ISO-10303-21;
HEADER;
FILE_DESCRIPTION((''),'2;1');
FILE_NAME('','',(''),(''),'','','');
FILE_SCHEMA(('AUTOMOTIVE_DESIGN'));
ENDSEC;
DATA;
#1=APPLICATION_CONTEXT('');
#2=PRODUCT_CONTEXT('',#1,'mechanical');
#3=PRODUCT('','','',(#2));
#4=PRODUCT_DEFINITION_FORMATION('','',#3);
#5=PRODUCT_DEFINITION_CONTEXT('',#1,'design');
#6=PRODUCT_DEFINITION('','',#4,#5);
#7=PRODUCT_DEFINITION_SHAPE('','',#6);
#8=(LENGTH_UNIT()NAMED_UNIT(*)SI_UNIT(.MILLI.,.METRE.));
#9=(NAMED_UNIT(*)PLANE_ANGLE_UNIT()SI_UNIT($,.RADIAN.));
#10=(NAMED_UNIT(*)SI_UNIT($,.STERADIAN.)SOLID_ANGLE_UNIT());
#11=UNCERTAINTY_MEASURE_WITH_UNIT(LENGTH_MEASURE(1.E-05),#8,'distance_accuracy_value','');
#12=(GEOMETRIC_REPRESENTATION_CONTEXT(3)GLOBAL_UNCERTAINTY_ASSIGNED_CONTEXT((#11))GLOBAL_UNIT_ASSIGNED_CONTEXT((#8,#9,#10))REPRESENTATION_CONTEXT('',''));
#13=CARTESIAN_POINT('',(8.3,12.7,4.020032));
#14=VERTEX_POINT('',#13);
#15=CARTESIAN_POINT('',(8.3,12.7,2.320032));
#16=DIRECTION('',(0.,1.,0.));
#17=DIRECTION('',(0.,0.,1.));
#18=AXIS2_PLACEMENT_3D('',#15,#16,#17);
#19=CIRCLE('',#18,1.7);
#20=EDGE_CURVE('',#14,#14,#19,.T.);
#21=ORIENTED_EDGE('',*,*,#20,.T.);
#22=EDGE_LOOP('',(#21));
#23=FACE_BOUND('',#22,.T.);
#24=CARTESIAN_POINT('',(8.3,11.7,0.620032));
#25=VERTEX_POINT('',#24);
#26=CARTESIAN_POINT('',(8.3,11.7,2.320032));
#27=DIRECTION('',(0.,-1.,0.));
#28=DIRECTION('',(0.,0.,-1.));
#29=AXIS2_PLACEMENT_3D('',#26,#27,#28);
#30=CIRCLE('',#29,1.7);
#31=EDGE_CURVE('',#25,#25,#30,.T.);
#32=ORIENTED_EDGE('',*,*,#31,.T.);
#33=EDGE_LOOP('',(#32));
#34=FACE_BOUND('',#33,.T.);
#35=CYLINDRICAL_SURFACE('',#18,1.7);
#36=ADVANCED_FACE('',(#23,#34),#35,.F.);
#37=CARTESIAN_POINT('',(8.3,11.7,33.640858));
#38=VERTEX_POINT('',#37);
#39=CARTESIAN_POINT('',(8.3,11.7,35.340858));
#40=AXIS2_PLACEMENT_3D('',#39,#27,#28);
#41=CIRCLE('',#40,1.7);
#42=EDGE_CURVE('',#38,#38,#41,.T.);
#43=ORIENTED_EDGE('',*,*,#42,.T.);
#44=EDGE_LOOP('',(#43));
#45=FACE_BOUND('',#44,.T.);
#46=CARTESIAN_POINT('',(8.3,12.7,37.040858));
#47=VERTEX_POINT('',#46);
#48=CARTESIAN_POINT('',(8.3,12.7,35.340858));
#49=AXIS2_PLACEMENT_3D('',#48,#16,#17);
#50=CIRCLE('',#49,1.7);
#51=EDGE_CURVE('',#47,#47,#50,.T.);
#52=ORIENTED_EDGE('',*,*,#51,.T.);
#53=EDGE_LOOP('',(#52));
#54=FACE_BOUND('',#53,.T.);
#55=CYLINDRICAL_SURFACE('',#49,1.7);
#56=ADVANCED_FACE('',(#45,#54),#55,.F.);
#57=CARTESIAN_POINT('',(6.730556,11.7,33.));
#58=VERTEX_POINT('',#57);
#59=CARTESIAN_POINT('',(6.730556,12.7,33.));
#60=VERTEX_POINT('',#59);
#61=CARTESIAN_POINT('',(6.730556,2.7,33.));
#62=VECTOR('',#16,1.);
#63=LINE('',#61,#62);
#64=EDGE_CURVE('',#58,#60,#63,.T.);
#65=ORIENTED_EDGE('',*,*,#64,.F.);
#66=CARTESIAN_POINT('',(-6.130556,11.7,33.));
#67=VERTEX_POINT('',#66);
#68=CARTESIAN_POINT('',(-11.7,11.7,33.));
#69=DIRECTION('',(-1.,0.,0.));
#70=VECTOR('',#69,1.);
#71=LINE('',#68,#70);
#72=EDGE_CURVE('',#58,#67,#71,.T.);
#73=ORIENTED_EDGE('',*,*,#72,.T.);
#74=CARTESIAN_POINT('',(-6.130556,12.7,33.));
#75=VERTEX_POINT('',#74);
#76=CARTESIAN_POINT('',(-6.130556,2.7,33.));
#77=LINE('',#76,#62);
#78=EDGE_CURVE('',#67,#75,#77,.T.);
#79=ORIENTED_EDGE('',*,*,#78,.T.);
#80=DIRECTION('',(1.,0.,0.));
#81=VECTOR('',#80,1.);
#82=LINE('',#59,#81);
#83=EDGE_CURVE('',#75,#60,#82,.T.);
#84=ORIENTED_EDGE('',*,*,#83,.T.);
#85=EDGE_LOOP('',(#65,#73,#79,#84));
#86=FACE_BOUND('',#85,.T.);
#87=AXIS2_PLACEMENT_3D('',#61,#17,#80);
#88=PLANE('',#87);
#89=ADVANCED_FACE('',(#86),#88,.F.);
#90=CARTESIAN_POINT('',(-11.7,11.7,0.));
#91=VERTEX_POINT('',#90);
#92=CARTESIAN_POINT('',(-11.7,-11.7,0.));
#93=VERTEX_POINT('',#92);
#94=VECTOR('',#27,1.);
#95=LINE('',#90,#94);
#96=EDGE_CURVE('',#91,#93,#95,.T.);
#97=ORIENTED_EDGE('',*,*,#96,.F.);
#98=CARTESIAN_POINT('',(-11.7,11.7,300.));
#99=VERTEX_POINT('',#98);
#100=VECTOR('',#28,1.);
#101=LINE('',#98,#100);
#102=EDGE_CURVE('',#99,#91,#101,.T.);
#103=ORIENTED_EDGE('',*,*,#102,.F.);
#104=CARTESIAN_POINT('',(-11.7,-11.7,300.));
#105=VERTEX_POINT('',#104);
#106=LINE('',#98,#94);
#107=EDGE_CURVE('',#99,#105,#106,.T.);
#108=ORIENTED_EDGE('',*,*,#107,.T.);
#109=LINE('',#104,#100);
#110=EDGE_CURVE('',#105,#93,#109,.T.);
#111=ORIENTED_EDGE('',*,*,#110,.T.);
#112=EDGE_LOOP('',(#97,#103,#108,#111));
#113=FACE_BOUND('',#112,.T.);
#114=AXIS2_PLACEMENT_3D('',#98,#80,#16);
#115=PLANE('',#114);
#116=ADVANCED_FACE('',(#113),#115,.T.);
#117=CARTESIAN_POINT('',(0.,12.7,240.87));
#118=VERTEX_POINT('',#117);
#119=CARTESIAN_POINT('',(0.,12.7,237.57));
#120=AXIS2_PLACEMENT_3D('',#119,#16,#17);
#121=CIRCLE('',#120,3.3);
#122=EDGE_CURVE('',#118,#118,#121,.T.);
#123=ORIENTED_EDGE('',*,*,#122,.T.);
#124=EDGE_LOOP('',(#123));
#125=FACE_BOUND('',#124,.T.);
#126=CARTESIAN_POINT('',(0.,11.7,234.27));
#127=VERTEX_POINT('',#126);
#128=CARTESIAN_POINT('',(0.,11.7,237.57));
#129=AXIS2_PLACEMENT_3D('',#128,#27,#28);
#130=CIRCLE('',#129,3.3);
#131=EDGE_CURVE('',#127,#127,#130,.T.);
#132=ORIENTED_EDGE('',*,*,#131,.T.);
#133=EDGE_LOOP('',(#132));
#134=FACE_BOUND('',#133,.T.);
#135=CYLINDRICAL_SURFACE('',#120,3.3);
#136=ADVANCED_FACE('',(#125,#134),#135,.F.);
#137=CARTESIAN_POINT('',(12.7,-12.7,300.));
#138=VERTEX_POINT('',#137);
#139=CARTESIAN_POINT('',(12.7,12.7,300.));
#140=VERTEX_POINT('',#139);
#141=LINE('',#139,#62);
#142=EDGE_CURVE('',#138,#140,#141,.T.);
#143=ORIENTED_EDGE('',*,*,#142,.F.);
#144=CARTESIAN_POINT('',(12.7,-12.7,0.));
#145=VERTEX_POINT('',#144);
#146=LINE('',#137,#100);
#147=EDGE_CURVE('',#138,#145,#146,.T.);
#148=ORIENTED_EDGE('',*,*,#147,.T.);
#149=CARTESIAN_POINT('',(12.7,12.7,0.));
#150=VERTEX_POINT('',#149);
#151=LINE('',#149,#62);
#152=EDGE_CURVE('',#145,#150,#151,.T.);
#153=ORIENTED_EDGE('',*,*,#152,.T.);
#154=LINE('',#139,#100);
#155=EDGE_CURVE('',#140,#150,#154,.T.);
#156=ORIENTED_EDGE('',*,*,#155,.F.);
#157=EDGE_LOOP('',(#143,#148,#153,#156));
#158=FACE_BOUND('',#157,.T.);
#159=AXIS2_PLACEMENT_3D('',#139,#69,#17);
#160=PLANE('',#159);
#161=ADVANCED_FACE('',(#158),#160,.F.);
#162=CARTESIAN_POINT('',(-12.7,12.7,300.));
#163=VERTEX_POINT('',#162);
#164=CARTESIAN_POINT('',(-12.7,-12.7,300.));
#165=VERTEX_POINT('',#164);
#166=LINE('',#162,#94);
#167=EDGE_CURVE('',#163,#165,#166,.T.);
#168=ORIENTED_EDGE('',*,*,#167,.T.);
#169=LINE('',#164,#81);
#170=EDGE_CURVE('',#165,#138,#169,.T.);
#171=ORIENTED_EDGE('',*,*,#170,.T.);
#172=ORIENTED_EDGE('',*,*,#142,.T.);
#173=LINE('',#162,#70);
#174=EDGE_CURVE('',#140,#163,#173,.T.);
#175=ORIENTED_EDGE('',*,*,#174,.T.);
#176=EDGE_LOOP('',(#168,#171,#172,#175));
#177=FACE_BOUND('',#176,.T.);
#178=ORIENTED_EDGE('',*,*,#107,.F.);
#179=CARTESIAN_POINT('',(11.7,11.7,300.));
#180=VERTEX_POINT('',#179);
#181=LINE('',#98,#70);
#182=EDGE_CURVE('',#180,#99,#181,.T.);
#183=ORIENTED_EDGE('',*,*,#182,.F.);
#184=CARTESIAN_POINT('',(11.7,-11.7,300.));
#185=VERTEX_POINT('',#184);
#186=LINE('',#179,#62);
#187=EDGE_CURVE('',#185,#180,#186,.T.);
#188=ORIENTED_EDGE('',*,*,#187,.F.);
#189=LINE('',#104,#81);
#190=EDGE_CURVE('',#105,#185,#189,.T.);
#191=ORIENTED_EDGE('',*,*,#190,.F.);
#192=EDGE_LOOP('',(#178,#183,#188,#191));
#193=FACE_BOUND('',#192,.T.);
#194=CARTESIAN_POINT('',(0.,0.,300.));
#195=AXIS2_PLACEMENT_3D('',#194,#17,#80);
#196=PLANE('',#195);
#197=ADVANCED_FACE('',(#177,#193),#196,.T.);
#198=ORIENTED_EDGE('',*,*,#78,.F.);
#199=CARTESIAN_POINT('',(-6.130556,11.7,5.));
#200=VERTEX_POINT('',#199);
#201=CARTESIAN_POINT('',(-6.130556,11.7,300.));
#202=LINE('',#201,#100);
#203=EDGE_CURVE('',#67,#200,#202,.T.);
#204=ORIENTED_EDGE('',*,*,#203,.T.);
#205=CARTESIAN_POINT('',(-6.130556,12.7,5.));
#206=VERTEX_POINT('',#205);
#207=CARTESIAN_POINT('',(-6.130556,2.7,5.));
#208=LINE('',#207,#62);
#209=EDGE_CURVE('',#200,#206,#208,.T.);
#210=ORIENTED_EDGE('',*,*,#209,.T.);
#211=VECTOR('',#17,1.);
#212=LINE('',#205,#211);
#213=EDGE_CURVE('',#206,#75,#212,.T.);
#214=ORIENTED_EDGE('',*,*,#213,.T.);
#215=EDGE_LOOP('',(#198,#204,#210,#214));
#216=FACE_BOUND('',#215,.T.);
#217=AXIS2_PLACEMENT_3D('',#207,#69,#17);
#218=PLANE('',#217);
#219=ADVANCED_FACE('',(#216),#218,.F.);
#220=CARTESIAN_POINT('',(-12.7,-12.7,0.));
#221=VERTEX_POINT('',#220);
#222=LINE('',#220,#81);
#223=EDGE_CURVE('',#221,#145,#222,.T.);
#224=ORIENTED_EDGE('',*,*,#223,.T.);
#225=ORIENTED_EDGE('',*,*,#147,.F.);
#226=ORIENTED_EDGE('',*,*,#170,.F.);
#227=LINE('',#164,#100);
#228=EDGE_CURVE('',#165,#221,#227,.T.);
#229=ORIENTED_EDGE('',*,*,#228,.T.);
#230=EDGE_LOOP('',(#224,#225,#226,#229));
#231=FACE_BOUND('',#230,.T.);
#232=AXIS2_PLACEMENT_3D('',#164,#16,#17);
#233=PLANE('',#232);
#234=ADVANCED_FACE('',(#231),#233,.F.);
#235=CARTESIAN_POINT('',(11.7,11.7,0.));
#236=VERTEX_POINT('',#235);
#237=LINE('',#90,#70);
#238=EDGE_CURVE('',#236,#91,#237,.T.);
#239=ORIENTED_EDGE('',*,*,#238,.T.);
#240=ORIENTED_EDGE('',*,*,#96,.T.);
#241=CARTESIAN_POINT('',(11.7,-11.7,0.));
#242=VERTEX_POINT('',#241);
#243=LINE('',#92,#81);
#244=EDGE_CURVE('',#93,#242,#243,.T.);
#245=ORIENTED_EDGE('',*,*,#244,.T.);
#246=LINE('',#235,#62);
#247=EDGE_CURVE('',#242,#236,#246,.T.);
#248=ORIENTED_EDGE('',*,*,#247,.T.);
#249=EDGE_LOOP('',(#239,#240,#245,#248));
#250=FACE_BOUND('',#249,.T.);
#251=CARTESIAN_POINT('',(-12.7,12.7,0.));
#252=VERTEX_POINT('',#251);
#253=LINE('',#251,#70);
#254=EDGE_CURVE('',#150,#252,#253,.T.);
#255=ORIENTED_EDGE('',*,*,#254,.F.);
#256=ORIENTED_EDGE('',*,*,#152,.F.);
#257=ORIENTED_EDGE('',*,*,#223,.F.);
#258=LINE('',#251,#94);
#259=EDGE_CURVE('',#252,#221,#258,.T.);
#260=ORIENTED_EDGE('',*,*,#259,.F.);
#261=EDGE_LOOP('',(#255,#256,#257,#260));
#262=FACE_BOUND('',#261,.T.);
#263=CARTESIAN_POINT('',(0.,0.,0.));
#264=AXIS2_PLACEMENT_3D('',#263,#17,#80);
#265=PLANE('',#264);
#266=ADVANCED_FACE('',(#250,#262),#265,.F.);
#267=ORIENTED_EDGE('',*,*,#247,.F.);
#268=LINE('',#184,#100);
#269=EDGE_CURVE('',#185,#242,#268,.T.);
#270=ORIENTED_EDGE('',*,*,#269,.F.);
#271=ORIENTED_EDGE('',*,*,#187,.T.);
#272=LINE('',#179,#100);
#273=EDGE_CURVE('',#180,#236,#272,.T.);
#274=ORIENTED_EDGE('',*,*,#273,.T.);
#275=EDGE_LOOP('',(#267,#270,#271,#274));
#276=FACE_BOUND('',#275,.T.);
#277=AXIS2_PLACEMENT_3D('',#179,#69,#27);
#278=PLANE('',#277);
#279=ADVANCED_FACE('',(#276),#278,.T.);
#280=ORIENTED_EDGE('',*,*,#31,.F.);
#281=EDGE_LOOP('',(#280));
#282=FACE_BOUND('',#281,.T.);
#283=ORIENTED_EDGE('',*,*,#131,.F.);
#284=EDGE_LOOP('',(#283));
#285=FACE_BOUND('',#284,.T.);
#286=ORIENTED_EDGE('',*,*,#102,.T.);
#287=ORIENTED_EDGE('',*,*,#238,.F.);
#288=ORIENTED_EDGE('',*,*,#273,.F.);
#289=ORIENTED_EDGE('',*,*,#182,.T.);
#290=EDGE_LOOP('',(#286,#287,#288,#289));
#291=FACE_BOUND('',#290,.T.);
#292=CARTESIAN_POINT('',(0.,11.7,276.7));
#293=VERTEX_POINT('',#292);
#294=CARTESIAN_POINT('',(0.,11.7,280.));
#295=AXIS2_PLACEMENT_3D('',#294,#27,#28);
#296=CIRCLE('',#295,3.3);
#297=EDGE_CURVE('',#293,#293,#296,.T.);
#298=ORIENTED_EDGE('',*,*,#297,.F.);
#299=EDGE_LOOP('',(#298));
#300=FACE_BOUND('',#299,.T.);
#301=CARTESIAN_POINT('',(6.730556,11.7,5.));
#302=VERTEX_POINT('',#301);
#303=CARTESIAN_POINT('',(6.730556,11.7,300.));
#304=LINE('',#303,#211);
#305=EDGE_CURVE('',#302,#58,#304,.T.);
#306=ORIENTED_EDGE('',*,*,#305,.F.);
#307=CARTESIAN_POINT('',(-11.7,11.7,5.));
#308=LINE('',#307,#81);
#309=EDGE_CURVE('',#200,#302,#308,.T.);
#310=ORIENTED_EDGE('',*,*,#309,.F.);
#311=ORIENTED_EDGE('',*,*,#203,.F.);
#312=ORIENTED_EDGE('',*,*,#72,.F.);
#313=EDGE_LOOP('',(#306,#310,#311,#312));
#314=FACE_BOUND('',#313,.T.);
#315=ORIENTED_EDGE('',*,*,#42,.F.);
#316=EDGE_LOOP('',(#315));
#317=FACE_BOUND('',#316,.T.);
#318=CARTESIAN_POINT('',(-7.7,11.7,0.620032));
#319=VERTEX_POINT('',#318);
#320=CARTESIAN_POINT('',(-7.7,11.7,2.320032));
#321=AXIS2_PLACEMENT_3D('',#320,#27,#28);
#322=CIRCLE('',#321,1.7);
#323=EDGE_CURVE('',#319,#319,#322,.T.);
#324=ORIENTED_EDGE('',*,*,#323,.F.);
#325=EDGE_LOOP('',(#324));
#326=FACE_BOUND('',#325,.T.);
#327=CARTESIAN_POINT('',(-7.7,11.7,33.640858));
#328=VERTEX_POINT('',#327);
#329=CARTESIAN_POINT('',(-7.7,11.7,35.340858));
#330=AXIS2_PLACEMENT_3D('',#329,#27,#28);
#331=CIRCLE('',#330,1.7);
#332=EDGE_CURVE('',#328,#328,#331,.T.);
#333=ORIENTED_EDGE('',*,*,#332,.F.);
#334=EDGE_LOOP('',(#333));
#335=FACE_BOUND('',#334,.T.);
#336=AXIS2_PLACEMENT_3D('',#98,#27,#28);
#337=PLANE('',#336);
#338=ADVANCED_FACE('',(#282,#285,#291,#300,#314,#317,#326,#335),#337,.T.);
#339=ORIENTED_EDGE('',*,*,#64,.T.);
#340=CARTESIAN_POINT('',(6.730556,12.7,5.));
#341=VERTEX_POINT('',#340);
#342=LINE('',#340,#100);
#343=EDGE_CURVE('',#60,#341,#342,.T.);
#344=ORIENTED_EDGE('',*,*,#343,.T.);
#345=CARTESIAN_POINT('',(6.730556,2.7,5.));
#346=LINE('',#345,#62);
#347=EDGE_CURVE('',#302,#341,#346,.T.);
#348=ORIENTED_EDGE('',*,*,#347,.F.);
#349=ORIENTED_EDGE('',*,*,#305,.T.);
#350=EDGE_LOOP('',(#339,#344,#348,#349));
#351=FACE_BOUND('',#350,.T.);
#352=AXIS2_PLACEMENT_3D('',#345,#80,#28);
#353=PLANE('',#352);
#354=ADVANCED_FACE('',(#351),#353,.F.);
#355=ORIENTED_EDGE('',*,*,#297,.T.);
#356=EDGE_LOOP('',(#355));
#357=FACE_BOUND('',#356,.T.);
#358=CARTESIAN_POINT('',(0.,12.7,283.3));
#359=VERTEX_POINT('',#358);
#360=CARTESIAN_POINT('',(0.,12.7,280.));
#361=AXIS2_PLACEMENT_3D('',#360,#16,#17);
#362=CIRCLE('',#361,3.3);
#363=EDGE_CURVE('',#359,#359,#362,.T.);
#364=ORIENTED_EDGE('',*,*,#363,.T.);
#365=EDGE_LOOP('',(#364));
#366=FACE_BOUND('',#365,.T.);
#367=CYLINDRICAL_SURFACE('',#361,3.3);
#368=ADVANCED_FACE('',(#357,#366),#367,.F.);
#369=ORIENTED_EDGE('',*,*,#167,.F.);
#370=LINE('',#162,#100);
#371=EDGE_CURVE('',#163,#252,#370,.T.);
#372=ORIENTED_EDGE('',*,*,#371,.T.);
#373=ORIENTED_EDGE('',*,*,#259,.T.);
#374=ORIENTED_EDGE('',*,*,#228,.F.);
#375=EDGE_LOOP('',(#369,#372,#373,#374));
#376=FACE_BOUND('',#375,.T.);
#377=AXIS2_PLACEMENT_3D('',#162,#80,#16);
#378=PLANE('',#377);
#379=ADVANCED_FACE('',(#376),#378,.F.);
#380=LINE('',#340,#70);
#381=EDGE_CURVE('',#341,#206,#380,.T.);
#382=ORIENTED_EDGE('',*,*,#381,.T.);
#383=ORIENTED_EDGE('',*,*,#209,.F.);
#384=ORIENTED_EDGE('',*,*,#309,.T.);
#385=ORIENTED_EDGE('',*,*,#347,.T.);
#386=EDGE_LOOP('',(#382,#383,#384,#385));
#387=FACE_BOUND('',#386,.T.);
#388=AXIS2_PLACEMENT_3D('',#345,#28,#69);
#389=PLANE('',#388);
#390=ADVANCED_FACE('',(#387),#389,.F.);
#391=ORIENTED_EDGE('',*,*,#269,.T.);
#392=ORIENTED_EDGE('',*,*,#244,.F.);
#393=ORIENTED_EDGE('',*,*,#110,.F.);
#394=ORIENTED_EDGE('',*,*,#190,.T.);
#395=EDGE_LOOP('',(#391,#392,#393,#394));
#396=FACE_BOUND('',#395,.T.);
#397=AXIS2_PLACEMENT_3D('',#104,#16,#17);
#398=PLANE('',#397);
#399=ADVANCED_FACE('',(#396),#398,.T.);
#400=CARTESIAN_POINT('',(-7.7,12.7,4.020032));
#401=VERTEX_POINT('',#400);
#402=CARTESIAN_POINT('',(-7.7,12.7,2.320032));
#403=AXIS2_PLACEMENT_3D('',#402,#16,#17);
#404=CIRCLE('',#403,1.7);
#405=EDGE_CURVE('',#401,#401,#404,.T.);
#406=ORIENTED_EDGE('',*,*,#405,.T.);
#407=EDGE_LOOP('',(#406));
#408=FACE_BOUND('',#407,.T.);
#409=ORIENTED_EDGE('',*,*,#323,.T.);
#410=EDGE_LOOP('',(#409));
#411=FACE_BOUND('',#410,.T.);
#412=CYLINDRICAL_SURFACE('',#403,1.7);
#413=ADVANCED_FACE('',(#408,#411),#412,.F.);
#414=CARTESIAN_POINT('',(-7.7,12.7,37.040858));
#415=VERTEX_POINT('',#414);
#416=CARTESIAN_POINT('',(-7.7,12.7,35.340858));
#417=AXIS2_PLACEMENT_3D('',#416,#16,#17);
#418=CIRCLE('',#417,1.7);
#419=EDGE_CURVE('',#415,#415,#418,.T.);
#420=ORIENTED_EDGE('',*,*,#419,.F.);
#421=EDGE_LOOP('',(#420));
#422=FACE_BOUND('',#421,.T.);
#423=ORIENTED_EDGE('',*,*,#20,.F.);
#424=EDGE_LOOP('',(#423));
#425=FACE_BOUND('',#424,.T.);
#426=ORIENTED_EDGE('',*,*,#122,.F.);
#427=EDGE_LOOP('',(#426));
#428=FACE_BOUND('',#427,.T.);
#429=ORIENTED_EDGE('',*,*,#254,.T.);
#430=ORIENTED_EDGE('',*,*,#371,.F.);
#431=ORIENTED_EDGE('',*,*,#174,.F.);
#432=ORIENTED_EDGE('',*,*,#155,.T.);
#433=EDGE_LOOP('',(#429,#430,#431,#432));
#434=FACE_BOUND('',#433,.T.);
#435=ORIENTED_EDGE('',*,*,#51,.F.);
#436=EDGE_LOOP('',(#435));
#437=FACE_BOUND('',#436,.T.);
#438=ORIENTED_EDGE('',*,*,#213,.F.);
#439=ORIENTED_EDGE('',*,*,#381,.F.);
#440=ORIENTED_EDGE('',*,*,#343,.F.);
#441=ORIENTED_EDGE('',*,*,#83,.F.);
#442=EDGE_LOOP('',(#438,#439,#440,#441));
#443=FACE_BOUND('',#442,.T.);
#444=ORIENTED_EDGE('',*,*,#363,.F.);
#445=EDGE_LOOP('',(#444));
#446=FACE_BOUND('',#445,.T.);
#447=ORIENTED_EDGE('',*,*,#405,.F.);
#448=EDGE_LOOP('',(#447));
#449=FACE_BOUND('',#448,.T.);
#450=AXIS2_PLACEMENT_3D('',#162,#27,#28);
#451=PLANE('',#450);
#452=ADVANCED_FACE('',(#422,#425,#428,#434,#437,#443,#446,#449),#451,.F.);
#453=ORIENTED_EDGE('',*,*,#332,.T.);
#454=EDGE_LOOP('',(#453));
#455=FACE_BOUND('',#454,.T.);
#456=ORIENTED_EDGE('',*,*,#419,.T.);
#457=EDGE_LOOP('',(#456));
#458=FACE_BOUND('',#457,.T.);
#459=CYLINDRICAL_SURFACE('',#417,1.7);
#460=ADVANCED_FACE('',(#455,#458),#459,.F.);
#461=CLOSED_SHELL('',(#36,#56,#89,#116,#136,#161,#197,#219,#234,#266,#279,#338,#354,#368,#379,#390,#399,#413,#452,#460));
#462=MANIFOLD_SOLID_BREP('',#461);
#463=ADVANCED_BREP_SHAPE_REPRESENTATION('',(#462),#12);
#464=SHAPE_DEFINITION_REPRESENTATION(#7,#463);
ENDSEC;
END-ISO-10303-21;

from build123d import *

# Parameters (mm, degrees)
SKETCH1_W                = 25.4
SKETCH1_H                = 25.4
SKETCH1_W_2              = 23.4
SKETCH1_H_2              = 23.4
BOSS_EXTRUDE1_DEPTH      = 300
M6_CLEARANCE_HOLE1_D     = 6.6
M6_CLEARANCE_HOLE1_DEPTH = 10
M6_CLEARANCE_HOLE1_TIP   = 1.982840043
SKETCH5_W                = 12.861112754
SKETCH5_H                = 28
CUT_EXTRUDE2_DEPTH       = 10
M3_CLEARANCE_HOLE1_D     = 3.4
M3_CLEARANCE_HOLE1_DEPTH = 10
M3_CLEARANCE_HOLE1_TIP   = 1.021463052


with BuildPart() as part:
    # Sketch1 → Boss-Extrude1 (new body)
    with BuildSketch(Plane.XY):
        Rectangle(SKETCH1_W, SKETCH1_H)
        Rectangle(SKETCH1_W_2, SKETCH1_H_2, mode=Mode.SUBTRACT)
    extrude(amount=BOSS_EXTRUDE1_DEPTH)

    # M6 Clearance Hole1
    with Locations(Plane(origin=(0, 12.7, 0), x_dir=(1, 0, 0), z_dir=(0, 1, 0))):
        with Locations((0, -280), (0, -237.57)):
            Hole(M6_CLEARANCE_HOLE1_D / 2, depth=M6_CLEARANCE_HOLE1_DEPTH)
            with Locations((0, 0, -(M6_CLEARANCE_HOLE1_DEPTH + M6_CLEARANCE_HOLE1_TIP / 2))):  # 118° drill point
                Cone(0, M6_CLEARANCE_HOLE1_D / 2, M6_CLEARANCE_HOLE1_TIP, mode=Mode.SUBTRACT)

    # Sketch5 → Cut-Extrude2 (cut)
    with BuildSketch(Plane(origin=(0, 12.7, 0), x_dir=(1, 0, 0), z_dir=(0, 1, 0))):
        with Locations((0.3, -19)):
            Rectangle(SKETCH5_W, SKETCH5_H)
    extrude(amount=-CUT_EXTRUDE2_DEPTH, mode=Mode.SUBTRACT)

    # M3 Clearance Hole1
    with Locations(Plane(origin=(0, 12.7, 0), x_dir=(1, 0, 0), z_dir=(0, 1, 0))):
        with Locations((8.3, -2.320031624), (-7.7, -2.320031624), (-7.7, -35.340858472), (8.3, -35.340858472)):
            Hole(M3_CLEARANCE_HOLE1_D / 2, depth=M3_CLEARANCE_HOLE1_DEPTH)
            with Locations((0, 0, -(M3_CLEARANCE_HOLE1_DEPTH + M3_CLEARANCE_HOLE1_TIP / 2))):  # 118° drill point
                Cone(0, M3_CLEARANCE_HOLE1_D / 2, M3_CLEARANCE_HOLE1_TIP, mode=Mode.SUBTRACT)


solid = part.part
